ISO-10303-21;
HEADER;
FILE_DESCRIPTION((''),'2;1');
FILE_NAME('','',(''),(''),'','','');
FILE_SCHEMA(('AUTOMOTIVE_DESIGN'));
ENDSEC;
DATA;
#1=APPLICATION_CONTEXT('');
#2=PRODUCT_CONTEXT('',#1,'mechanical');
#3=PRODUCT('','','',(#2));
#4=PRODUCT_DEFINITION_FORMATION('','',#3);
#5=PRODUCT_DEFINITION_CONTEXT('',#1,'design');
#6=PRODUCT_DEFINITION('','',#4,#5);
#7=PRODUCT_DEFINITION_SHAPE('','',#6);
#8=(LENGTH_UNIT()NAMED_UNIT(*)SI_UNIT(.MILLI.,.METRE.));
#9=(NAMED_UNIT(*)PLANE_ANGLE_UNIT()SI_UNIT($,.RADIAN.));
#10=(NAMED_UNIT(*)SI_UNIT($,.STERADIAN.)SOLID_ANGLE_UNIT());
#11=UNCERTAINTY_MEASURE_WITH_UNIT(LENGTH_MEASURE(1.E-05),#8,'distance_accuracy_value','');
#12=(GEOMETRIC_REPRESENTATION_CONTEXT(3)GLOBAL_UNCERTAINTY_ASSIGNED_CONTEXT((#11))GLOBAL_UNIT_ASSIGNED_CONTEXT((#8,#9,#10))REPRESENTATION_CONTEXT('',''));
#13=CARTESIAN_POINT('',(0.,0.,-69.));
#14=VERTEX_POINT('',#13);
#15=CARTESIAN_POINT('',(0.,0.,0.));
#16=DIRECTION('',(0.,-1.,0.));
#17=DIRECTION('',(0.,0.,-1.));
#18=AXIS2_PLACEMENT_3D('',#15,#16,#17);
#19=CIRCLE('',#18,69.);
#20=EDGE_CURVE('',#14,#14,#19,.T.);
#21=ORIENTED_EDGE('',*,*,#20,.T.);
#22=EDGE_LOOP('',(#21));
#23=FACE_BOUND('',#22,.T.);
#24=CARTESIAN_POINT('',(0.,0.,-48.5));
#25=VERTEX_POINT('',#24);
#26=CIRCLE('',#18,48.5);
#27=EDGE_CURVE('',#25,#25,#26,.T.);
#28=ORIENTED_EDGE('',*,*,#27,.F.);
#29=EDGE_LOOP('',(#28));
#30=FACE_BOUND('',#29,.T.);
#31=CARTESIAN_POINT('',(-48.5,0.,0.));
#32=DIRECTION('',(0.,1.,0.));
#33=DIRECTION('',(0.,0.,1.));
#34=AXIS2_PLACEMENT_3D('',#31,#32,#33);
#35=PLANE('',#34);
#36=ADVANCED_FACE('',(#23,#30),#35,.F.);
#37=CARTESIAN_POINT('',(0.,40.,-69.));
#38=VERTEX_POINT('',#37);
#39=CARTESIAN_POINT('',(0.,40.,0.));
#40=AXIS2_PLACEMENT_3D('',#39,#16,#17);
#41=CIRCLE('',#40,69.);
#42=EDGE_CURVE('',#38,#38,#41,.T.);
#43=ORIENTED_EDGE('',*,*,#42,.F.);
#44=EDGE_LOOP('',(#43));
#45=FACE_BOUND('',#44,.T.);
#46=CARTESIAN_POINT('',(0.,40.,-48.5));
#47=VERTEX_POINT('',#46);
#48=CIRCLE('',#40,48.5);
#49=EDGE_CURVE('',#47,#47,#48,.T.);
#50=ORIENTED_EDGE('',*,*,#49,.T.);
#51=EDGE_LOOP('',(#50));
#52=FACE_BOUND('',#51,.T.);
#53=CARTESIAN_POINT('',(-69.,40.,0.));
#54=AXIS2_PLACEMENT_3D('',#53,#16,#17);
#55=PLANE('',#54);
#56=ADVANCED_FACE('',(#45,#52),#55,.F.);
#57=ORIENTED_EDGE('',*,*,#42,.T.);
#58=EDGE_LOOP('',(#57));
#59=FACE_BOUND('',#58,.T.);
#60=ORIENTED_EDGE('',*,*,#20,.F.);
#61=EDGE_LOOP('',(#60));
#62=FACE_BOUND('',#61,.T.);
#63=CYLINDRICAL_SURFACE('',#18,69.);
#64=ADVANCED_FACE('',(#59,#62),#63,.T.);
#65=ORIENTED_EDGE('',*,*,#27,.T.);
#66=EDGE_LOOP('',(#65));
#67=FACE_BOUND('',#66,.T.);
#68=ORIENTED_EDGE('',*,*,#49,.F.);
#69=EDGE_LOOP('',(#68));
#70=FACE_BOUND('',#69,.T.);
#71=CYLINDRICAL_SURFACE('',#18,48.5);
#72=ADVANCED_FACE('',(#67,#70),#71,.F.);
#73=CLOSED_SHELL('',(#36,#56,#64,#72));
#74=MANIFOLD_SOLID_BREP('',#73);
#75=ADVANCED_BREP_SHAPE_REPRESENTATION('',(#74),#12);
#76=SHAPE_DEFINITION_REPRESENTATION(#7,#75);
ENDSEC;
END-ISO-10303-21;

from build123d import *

# Parameters (mm, degrees)
SCHIZZO1_W = 20.5
SCHIZZO1_H = 40


with BuildPart() as part:
    # Schizzo1 → Rivoluzione1 (revolve)
    with BuildSketch(Plane.XY, mode=Mode.PRIVATE) as rivoluzione1_sk:
        with Locations((-58.75, 20)):
            Rectangle(SCHIZZO1_W, SCHIZZO1_H)
    revolve(rivoluzione1_sk.sketch.rotate(Axis((0, 0, 0), (0, 1, 0)), 270), axis=Axis((0, 0, 0), (0, 1, 0)))


solid = part.part
